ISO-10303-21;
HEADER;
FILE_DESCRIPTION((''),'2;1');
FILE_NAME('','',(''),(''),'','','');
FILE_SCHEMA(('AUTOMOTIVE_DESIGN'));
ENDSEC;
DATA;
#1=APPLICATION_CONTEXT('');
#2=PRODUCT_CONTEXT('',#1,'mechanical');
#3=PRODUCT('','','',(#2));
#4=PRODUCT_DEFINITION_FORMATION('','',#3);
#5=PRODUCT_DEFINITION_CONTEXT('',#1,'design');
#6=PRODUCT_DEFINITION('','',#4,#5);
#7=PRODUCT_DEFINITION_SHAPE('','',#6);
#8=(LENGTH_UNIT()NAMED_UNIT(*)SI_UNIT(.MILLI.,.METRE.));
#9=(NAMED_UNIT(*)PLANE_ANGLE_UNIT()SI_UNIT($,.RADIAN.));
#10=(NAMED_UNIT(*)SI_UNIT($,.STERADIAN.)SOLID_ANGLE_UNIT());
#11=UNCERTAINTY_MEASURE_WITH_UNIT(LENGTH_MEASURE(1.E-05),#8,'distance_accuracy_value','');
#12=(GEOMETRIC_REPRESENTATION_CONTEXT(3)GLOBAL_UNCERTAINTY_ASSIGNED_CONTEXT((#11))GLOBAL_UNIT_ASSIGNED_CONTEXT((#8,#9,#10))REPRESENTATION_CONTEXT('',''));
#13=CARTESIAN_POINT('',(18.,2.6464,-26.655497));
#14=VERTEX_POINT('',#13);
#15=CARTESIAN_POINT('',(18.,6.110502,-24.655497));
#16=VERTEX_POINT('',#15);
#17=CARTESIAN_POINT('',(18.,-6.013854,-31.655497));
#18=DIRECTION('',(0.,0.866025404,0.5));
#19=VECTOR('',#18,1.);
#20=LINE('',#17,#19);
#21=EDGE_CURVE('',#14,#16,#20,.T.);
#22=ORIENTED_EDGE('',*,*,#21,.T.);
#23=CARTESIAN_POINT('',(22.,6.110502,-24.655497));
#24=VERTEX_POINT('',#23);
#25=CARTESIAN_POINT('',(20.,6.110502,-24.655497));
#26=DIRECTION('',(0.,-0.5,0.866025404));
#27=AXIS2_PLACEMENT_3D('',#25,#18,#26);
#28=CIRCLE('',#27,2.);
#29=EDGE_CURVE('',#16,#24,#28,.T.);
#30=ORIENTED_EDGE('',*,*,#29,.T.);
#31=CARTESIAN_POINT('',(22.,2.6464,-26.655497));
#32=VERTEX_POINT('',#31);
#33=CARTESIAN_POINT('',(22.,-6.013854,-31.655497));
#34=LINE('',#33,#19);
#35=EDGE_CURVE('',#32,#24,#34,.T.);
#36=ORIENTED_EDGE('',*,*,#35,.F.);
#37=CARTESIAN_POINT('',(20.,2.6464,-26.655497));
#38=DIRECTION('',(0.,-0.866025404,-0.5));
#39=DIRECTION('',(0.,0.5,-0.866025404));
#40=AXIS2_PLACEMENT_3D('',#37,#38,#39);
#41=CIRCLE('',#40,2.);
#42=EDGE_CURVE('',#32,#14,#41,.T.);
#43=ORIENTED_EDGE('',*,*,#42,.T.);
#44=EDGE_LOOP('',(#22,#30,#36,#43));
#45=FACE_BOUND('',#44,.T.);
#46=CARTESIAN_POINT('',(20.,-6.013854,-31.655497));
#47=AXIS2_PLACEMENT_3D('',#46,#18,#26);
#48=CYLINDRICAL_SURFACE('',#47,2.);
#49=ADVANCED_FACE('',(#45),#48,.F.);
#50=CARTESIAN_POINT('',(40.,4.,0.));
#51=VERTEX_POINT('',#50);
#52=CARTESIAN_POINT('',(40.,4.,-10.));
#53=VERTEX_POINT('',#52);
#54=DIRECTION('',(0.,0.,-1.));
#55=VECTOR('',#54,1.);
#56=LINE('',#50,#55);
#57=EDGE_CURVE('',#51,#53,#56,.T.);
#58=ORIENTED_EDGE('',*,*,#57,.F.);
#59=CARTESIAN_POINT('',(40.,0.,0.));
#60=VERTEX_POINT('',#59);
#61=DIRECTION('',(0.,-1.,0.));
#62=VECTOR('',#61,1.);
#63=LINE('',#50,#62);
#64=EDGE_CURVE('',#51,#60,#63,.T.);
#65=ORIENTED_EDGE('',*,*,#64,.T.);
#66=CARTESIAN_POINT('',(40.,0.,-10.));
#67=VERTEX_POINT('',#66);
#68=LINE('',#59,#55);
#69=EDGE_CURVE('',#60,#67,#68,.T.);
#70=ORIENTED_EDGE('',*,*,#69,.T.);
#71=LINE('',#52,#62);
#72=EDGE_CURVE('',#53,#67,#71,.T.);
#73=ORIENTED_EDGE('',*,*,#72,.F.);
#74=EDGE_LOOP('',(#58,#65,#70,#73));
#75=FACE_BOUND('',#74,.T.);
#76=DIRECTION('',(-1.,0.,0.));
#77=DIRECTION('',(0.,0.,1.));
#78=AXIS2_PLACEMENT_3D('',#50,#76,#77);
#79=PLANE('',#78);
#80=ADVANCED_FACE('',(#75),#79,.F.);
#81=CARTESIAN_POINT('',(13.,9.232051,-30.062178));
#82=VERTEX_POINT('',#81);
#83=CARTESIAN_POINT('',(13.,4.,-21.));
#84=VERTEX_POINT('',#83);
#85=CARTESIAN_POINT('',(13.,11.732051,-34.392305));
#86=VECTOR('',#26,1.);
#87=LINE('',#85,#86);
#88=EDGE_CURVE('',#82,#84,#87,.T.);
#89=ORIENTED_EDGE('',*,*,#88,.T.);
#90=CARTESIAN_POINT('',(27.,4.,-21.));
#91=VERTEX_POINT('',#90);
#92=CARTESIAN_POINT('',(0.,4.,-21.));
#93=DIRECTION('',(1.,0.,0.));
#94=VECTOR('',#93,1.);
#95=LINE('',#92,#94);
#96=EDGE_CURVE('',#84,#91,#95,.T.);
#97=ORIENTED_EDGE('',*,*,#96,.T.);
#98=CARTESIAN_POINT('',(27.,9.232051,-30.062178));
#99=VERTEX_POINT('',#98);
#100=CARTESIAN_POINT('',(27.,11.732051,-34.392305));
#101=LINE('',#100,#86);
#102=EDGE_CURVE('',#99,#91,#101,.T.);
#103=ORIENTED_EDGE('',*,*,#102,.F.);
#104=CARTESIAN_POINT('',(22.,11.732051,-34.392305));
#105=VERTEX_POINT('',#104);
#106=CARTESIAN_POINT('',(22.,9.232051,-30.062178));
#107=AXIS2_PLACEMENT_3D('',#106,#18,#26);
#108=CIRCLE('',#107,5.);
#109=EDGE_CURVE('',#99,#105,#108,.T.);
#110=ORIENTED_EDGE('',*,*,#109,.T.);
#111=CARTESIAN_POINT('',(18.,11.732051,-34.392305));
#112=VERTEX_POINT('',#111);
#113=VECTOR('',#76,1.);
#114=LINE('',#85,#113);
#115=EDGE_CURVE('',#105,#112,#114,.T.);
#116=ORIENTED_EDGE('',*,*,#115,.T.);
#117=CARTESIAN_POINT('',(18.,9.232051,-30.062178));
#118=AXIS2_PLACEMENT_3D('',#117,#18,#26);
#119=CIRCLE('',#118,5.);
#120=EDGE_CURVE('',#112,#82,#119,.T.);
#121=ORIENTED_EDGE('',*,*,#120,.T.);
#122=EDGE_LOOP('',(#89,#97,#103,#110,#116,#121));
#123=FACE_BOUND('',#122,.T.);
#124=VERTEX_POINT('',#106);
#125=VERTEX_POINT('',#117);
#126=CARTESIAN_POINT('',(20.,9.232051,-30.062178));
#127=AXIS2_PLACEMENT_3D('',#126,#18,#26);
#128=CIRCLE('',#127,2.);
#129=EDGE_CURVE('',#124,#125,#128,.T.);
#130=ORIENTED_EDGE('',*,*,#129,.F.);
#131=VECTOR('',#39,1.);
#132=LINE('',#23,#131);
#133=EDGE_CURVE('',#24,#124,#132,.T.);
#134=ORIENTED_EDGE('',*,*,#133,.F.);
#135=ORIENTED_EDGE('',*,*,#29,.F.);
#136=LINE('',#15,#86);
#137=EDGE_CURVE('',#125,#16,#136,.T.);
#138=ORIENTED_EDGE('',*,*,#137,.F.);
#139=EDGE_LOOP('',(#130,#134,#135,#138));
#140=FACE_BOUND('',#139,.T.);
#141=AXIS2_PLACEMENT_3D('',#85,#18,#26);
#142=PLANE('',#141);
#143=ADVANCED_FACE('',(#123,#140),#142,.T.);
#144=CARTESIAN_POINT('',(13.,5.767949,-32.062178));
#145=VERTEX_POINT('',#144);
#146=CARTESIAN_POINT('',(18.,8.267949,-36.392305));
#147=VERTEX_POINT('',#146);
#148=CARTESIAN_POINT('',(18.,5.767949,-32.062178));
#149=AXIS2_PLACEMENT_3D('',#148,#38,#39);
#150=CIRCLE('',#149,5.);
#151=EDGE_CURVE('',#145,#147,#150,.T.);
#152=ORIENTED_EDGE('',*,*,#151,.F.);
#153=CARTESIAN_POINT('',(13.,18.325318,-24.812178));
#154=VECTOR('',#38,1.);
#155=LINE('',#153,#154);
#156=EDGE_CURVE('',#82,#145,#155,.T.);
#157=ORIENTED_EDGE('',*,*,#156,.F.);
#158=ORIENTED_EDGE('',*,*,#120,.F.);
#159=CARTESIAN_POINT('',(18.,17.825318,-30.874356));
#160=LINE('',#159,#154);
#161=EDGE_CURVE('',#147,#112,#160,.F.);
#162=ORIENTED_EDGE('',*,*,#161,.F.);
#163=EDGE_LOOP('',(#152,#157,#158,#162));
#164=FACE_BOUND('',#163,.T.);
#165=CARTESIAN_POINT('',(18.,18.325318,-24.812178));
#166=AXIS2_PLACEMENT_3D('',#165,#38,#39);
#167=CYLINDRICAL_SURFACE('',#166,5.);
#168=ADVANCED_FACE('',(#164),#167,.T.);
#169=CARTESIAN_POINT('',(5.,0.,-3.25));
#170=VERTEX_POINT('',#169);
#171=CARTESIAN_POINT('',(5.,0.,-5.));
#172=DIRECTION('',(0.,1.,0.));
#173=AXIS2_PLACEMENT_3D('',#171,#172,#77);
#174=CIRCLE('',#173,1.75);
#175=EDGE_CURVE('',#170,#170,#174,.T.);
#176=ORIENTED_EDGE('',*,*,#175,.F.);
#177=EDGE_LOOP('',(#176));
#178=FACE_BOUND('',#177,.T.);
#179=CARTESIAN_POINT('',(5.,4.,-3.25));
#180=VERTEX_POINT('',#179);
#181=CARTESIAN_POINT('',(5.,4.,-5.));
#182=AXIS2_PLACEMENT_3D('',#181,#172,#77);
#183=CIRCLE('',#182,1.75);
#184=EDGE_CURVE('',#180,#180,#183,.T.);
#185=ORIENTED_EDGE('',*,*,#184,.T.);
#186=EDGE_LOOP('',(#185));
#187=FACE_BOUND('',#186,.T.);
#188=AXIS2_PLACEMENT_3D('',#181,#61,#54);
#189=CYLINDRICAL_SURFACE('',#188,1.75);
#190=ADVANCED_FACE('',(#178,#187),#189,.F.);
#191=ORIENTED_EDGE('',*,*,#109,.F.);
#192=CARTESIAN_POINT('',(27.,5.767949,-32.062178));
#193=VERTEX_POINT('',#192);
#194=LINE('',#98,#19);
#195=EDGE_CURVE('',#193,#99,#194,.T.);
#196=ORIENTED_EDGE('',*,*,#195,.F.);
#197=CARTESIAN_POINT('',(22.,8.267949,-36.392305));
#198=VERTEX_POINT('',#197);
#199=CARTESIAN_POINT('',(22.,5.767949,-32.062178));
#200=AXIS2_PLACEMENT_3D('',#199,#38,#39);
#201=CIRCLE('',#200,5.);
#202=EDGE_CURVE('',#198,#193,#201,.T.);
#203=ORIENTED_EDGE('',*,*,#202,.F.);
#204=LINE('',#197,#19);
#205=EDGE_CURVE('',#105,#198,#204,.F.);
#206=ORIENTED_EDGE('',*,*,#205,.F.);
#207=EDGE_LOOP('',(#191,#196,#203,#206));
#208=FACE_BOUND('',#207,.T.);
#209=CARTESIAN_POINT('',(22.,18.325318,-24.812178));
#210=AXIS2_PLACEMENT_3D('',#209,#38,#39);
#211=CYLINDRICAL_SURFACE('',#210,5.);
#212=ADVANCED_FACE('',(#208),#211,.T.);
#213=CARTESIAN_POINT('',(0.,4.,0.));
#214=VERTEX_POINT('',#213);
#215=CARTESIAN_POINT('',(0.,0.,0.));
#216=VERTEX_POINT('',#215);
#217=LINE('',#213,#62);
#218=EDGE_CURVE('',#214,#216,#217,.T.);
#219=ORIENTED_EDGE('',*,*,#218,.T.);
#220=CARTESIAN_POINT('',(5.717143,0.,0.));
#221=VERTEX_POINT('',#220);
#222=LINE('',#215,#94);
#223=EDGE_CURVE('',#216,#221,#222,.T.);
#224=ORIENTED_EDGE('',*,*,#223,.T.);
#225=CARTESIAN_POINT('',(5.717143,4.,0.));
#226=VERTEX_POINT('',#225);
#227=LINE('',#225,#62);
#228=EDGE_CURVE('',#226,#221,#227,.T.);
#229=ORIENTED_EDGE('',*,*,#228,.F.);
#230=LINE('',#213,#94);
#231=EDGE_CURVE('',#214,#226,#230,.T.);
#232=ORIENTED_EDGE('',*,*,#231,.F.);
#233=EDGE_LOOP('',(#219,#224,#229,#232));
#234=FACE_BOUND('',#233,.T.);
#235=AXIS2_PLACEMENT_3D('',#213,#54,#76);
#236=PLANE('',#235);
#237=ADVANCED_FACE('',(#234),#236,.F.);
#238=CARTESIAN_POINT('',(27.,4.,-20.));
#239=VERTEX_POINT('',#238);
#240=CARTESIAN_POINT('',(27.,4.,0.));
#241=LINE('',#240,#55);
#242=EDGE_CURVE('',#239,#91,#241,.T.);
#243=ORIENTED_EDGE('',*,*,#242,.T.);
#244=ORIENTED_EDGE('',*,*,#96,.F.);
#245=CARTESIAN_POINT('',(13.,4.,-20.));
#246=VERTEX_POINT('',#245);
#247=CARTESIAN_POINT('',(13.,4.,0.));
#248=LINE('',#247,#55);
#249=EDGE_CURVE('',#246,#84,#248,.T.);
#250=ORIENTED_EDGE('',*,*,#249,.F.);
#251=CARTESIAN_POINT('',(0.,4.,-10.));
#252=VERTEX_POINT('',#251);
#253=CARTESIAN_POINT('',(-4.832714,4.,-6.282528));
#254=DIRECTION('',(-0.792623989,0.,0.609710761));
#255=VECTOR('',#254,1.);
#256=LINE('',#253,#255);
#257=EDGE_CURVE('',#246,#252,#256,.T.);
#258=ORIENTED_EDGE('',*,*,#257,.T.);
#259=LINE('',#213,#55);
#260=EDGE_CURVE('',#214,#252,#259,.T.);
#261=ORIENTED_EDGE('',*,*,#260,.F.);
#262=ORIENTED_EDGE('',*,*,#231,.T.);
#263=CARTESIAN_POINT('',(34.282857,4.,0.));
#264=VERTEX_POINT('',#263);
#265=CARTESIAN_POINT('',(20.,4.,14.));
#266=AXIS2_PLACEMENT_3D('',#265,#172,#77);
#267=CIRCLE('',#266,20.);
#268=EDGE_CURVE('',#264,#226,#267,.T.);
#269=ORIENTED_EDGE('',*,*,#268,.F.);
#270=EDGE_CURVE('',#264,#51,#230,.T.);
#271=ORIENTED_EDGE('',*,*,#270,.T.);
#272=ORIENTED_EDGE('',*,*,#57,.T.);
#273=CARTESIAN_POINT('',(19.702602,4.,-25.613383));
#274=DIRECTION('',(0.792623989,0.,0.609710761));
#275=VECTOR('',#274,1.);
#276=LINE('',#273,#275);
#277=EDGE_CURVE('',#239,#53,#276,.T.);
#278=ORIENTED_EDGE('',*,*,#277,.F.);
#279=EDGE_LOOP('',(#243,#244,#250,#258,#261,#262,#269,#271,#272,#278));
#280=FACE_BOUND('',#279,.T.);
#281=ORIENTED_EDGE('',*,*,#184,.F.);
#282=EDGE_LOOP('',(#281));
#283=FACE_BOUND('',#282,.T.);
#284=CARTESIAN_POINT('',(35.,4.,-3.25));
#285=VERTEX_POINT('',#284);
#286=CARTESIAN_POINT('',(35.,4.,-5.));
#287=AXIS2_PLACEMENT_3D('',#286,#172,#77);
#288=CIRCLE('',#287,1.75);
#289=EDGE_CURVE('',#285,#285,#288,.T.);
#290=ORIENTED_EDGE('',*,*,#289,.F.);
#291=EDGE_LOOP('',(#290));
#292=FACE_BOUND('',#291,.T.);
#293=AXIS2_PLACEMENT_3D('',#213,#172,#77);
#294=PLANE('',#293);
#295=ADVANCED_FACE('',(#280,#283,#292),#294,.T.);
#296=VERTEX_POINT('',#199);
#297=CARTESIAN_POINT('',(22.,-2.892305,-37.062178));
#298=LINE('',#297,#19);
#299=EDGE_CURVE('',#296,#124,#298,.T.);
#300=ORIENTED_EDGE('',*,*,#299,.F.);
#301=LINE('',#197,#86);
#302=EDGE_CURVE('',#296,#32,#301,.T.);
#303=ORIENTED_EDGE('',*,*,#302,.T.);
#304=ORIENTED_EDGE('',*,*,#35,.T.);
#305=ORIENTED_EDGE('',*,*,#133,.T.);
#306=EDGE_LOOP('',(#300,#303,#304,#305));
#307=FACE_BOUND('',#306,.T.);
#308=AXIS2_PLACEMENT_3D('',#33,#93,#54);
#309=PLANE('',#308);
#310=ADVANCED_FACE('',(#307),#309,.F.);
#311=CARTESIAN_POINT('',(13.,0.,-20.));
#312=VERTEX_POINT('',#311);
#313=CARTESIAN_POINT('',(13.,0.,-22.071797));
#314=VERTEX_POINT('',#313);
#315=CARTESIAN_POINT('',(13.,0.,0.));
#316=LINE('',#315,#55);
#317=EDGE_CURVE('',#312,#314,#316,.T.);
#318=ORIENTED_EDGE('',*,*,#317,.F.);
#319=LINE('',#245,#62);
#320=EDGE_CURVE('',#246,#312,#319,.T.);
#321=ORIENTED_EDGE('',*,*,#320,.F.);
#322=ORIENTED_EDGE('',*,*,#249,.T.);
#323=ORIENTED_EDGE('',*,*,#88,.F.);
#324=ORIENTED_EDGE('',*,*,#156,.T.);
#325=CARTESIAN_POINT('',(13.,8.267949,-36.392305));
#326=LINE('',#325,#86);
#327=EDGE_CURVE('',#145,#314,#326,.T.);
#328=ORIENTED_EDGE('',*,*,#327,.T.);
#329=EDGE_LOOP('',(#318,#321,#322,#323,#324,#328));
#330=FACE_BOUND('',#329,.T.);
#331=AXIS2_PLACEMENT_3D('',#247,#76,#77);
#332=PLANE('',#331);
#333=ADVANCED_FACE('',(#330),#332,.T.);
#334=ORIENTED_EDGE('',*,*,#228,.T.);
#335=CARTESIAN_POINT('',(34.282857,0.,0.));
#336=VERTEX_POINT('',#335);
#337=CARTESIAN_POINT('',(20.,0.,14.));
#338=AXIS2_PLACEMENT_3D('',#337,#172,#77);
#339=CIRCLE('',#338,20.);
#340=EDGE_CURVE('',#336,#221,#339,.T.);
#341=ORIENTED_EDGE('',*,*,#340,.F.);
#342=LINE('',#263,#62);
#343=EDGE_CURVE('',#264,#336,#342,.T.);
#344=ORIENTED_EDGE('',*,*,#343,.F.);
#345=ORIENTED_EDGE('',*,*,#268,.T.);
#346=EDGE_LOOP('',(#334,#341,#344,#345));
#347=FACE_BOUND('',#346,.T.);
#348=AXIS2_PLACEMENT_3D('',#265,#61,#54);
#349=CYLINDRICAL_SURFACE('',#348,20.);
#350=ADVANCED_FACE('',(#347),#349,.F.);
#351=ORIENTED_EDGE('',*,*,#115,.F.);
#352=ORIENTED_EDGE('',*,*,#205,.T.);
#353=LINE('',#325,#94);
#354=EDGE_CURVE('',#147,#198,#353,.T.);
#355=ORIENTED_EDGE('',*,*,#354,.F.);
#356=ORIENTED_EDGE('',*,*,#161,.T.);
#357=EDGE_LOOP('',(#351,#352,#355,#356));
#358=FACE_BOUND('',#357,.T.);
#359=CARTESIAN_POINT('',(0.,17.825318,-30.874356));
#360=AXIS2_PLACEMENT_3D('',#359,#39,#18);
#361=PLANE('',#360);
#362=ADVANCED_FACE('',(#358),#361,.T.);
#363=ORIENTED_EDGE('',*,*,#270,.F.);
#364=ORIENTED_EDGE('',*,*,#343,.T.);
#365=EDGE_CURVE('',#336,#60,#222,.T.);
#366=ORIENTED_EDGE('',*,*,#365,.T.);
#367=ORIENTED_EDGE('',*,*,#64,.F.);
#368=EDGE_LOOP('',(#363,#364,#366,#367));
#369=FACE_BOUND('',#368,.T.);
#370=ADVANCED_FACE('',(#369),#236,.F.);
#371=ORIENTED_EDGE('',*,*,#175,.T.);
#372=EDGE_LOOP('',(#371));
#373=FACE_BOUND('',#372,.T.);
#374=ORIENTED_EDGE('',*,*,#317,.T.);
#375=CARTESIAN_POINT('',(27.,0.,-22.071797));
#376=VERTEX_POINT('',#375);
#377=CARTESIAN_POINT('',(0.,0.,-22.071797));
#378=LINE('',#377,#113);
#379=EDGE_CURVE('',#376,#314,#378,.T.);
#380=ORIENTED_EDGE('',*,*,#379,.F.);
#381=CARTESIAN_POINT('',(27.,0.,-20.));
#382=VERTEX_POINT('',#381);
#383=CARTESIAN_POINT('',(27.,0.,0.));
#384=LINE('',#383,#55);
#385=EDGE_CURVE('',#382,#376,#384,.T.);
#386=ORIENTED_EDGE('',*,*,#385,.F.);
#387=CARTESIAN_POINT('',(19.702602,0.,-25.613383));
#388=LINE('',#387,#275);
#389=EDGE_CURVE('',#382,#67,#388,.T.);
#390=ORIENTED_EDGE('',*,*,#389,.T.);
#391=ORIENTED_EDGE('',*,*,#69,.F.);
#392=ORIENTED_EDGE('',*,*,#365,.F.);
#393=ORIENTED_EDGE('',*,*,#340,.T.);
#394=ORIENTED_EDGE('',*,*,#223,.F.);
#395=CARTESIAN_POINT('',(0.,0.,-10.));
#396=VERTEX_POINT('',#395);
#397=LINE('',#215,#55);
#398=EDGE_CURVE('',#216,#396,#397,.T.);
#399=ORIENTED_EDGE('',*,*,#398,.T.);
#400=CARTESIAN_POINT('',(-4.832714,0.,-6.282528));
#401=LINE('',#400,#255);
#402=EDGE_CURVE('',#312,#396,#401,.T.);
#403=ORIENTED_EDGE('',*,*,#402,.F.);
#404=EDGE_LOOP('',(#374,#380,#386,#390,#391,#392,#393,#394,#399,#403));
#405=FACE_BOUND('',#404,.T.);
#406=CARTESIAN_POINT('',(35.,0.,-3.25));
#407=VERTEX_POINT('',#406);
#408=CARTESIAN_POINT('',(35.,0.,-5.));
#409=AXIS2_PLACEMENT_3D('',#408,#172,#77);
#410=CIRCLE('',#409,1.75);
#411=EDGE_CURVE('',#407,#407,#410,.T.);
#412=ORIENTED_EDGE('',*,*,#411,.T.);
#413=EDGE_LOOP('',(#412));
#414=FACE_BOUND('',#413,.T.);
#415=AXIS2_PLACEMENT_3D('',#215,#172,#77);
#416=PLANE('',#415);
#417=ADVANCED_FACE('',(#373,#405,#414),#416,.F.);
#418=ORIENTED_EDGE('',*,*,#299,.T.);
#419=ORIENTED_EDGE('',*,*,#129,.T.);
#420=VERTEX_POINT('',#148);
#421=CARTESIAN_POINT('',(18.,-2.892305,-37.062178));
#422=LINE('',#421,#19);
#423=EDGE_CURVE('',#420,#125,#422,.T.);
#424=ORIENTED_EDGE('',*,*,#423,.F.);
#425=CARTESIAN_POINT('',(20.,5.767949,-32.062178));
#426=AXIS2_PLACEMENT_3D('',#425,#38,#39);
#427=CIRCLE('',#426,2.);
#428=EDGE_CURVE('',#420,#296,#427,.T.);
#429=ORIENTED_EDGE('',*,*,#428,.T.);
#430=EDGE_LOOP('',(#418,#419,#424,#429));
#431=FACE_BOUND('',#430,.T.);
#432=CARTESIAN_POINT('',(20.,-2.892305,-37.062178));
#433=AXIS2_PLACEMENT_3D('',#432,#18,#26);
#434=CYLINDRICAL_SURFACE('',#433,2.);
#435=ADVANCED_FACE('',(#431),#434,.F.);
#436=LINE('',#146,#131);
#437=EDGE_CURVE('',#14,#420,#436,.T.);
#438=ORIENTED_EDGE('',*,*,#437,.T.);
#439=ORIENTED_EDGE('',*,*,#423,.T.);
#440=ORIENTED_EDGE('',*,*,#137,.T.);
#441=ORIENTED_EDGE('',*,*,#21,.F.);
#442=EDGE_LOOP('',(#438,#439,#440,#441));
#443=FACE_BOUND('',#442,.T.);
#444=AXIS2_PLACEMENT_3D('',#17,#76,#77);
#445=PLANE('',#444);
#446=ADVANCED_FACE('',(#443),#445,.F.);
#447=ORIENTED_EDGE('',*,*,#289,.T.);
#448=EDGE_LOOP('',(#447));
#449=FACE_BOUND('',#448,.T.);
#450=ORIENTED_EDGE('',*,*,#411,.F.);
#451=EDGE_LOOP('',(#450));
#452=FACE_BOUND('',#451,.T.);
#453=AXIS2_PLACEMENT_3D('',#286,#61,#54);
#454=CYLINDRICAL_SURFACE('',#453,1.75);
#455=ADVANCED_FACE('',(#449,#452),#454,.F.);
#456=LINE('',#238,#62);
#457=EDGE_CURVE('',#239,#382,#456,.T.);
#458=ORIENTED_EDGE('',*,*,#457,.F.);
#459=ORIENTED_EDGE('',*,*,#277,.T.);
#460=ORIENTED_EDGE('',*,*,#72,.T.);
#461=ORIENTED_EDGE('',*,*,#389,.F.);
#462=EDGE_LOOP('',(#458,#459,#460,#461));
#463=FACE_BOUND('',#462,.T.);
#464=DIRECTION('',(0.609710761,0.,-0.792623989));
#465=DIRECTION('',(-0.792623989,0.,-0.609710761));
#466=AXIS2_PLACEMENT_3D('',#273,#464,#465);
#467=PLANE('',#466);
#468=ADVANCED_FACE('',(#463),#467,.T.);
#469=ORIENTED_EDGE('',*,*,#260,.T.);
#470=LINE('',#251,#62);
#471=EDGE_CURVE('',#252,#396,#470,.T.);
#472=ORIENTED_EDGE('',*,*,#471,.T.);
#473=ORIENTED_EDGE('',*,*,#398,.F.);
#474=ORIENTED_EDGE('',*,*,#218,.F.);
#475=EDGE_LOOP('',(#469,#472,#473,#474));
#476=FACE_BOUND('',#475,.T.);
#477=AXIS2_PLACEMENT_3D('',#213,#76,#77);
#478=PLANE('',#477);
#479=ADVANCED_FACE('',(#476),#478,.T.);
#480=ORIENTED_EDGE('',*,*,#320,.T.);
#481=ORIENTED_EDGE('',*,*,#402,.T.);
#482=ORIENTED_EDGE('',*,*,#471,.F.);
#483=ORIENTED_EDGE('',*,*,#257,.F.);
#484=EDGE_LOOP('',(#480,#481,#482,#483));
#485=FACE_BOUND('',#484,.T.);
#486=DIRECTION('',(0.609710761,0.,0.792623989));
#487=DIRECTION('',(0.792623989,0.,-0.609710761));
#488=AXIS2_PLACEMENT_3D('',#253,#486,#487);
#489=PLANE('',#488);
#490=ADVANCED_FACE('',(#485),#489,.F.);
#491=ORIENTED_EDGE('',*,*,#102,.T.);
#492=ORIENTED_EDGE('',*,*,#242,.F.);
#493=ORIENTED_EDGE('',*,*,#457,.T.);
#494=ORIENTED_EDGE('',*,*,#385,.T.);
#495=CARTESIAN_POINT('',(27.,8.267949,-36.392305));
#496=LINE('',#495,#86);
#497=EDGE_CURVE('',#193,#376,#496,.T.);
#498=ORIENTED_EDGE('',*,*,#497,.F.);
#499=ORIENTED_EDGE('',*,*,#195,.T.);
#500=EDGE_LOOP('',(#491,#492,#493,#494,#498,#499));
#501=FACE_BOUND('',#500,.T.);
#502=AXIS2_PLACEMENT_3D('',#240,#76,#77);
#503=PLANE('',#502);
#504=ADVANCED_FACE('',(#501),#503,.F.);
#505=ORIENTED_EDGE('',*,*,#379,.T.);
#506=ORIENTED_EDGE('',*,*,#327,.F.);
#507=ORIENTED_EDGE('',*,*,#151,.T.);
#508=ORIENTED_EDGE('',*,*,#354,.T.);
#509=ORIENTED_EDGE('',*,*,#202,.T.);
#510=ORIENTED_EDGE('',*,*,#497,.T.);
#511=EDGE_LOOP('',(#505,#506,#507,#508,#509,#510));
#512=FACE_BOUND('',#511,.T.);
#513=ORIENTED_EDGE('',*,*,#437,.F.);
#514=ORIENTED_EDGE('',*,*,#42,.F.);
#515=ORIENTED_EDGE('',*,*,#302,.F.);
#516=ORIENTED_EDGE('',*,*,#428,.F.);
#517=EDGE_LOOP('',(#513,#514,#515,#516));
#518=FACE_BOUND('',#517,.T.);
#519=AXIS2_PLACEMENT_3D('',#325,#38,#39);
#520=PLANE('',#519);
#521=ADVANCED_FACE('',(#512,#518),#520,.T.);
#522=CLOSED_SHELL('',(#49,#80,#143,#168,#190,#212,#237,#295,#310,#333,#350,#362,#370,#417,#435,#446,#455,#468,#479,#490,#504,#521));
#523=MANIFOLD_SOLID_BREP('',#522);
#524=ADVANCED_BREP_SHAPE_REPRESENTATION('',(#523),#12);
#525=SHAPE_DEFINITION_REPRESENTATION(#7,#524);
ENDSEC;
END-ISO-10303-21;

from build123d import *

# Parameters (mm, degrees)
SKETCH1_R                = 1.75
BOSS_EXTRUDE1_DEPTH      = 4
BOSS_EXTRUDE2_DEPTH      = 4
BOSS_EXTRUDE2_DEPTH_BACK = 12
SKETCH4_W                = 14
SKETCH4_H                = 4
SKETCH5_W                = 16
SKETCH5_H                = 3.464101615
CUT_EXTRUDE1_DEPTH       = 14
CUT_EXTRUDE2_DEPTH       = 14
FILLET1_R                = 5


with BuildPart() as part:
    # Sketch1 → Boss-Extrude1 (new body)
    with BuildSketch(Plane(origin=(0, 0, 0), x_dir=(1, 0, 0), z_dir=(0, 1, 0))):
        with BuildLine():
            Line((40, 10), (27, 20))
            Line((27, 20), (27, 25))
            Line((27, 25), (13, 25))
            Line((13, 25), (13, 20))
            Line((13, 20), (0, 10))
            Line((0, 10), (0, 0))
            Line((0, 0), (5.717143143, 0))
            ThreePointArc((5.717143143, 0), (20, 6), (34.282856857, 0))
            Line((34.282856857, 0), (40, 0))
            Line((40, 0), (40, 10))
        make_face()
        with Locations((5, 5)):
            Circle(SKETCH1_R, mode=Mode.SUBTRACT)
        with Locations((35, 5)):
            Circle(SKETCH1_R, mode=Mode.SUBTRACT)
    extrude(amount=BOSS_EXTRUDE1_DEPTH)

    # Sketch4 → Boss-Extrude2 (add, two sides: drawn at the far end of the back side and taken through both)
    with BuildSketch(Plane(origin=(0, 11.825317547, -20.482050808), x_dir=(1, 0, 0), z_dir=(0, -0.5000000000000041, 0.8660254037844364)).offset(-BOSS_EXTRUDE2_DEPTH_BACK)):
        with Locations((20, -9.035898385)):
            Rectangle(SKETCH4_W, SKETCH4_H)
    extrude(amount=BOSS_EXTRUDE2_DEPTH + BOSS_EXTRUDE2_DEPTH_BACK)

    # Sketch5 → Cut-Extrude1 (cut)
    with BuildSketch(Plane(origin=(0, 11.825317547, -20.482050808), x_dir=(1, 0, 0), z_dir=(0, -0.5000000000000041, 0.8660254037844364))):
        with Locations((21, -12.767949193)):
            Rectangle(SKETCH5_W, SKETCH5_H)
    extrude(amount=CUT_EXTRUDE1_DEPTH, mode=Mode.SUBTRACT)

    # Sketch6 → Cut-Extrude2 (cut)
    with BuildSketch(Plane(origin=(0, -6.09326674, -3.517949192), x_dir=(1, 0, 0), z_dir=(0, 0.8660254037844364, 0.5000000000000041))):
        with BuildLine():
            Line((18, 24.407537572), (18, 30.650635095))
            ThreePointArc((18, 30.650635095), (20, 32.650635095), (22, 30.650635095))
            Line((22, 30.650635095), (22, 24.407537572))
            ThreePointArc((22, 24.407537572), (20, 22.407537572), (18, 24.407537572))
        make_face()
    extrude(amount=-CUT_EXTRUDE2_DEPTH, mode=Mode.SUBTRACT)

    # Fillet1
    fillet1_edges = [part.edges().sort_by_distance(p)[0] for p in [
        (13, 10, -35.392304845),
        (27, 10, -35.392304845),
    ]]
    fillet(fillet1_edges, radius=FILLET1_R)


solid = part.part
